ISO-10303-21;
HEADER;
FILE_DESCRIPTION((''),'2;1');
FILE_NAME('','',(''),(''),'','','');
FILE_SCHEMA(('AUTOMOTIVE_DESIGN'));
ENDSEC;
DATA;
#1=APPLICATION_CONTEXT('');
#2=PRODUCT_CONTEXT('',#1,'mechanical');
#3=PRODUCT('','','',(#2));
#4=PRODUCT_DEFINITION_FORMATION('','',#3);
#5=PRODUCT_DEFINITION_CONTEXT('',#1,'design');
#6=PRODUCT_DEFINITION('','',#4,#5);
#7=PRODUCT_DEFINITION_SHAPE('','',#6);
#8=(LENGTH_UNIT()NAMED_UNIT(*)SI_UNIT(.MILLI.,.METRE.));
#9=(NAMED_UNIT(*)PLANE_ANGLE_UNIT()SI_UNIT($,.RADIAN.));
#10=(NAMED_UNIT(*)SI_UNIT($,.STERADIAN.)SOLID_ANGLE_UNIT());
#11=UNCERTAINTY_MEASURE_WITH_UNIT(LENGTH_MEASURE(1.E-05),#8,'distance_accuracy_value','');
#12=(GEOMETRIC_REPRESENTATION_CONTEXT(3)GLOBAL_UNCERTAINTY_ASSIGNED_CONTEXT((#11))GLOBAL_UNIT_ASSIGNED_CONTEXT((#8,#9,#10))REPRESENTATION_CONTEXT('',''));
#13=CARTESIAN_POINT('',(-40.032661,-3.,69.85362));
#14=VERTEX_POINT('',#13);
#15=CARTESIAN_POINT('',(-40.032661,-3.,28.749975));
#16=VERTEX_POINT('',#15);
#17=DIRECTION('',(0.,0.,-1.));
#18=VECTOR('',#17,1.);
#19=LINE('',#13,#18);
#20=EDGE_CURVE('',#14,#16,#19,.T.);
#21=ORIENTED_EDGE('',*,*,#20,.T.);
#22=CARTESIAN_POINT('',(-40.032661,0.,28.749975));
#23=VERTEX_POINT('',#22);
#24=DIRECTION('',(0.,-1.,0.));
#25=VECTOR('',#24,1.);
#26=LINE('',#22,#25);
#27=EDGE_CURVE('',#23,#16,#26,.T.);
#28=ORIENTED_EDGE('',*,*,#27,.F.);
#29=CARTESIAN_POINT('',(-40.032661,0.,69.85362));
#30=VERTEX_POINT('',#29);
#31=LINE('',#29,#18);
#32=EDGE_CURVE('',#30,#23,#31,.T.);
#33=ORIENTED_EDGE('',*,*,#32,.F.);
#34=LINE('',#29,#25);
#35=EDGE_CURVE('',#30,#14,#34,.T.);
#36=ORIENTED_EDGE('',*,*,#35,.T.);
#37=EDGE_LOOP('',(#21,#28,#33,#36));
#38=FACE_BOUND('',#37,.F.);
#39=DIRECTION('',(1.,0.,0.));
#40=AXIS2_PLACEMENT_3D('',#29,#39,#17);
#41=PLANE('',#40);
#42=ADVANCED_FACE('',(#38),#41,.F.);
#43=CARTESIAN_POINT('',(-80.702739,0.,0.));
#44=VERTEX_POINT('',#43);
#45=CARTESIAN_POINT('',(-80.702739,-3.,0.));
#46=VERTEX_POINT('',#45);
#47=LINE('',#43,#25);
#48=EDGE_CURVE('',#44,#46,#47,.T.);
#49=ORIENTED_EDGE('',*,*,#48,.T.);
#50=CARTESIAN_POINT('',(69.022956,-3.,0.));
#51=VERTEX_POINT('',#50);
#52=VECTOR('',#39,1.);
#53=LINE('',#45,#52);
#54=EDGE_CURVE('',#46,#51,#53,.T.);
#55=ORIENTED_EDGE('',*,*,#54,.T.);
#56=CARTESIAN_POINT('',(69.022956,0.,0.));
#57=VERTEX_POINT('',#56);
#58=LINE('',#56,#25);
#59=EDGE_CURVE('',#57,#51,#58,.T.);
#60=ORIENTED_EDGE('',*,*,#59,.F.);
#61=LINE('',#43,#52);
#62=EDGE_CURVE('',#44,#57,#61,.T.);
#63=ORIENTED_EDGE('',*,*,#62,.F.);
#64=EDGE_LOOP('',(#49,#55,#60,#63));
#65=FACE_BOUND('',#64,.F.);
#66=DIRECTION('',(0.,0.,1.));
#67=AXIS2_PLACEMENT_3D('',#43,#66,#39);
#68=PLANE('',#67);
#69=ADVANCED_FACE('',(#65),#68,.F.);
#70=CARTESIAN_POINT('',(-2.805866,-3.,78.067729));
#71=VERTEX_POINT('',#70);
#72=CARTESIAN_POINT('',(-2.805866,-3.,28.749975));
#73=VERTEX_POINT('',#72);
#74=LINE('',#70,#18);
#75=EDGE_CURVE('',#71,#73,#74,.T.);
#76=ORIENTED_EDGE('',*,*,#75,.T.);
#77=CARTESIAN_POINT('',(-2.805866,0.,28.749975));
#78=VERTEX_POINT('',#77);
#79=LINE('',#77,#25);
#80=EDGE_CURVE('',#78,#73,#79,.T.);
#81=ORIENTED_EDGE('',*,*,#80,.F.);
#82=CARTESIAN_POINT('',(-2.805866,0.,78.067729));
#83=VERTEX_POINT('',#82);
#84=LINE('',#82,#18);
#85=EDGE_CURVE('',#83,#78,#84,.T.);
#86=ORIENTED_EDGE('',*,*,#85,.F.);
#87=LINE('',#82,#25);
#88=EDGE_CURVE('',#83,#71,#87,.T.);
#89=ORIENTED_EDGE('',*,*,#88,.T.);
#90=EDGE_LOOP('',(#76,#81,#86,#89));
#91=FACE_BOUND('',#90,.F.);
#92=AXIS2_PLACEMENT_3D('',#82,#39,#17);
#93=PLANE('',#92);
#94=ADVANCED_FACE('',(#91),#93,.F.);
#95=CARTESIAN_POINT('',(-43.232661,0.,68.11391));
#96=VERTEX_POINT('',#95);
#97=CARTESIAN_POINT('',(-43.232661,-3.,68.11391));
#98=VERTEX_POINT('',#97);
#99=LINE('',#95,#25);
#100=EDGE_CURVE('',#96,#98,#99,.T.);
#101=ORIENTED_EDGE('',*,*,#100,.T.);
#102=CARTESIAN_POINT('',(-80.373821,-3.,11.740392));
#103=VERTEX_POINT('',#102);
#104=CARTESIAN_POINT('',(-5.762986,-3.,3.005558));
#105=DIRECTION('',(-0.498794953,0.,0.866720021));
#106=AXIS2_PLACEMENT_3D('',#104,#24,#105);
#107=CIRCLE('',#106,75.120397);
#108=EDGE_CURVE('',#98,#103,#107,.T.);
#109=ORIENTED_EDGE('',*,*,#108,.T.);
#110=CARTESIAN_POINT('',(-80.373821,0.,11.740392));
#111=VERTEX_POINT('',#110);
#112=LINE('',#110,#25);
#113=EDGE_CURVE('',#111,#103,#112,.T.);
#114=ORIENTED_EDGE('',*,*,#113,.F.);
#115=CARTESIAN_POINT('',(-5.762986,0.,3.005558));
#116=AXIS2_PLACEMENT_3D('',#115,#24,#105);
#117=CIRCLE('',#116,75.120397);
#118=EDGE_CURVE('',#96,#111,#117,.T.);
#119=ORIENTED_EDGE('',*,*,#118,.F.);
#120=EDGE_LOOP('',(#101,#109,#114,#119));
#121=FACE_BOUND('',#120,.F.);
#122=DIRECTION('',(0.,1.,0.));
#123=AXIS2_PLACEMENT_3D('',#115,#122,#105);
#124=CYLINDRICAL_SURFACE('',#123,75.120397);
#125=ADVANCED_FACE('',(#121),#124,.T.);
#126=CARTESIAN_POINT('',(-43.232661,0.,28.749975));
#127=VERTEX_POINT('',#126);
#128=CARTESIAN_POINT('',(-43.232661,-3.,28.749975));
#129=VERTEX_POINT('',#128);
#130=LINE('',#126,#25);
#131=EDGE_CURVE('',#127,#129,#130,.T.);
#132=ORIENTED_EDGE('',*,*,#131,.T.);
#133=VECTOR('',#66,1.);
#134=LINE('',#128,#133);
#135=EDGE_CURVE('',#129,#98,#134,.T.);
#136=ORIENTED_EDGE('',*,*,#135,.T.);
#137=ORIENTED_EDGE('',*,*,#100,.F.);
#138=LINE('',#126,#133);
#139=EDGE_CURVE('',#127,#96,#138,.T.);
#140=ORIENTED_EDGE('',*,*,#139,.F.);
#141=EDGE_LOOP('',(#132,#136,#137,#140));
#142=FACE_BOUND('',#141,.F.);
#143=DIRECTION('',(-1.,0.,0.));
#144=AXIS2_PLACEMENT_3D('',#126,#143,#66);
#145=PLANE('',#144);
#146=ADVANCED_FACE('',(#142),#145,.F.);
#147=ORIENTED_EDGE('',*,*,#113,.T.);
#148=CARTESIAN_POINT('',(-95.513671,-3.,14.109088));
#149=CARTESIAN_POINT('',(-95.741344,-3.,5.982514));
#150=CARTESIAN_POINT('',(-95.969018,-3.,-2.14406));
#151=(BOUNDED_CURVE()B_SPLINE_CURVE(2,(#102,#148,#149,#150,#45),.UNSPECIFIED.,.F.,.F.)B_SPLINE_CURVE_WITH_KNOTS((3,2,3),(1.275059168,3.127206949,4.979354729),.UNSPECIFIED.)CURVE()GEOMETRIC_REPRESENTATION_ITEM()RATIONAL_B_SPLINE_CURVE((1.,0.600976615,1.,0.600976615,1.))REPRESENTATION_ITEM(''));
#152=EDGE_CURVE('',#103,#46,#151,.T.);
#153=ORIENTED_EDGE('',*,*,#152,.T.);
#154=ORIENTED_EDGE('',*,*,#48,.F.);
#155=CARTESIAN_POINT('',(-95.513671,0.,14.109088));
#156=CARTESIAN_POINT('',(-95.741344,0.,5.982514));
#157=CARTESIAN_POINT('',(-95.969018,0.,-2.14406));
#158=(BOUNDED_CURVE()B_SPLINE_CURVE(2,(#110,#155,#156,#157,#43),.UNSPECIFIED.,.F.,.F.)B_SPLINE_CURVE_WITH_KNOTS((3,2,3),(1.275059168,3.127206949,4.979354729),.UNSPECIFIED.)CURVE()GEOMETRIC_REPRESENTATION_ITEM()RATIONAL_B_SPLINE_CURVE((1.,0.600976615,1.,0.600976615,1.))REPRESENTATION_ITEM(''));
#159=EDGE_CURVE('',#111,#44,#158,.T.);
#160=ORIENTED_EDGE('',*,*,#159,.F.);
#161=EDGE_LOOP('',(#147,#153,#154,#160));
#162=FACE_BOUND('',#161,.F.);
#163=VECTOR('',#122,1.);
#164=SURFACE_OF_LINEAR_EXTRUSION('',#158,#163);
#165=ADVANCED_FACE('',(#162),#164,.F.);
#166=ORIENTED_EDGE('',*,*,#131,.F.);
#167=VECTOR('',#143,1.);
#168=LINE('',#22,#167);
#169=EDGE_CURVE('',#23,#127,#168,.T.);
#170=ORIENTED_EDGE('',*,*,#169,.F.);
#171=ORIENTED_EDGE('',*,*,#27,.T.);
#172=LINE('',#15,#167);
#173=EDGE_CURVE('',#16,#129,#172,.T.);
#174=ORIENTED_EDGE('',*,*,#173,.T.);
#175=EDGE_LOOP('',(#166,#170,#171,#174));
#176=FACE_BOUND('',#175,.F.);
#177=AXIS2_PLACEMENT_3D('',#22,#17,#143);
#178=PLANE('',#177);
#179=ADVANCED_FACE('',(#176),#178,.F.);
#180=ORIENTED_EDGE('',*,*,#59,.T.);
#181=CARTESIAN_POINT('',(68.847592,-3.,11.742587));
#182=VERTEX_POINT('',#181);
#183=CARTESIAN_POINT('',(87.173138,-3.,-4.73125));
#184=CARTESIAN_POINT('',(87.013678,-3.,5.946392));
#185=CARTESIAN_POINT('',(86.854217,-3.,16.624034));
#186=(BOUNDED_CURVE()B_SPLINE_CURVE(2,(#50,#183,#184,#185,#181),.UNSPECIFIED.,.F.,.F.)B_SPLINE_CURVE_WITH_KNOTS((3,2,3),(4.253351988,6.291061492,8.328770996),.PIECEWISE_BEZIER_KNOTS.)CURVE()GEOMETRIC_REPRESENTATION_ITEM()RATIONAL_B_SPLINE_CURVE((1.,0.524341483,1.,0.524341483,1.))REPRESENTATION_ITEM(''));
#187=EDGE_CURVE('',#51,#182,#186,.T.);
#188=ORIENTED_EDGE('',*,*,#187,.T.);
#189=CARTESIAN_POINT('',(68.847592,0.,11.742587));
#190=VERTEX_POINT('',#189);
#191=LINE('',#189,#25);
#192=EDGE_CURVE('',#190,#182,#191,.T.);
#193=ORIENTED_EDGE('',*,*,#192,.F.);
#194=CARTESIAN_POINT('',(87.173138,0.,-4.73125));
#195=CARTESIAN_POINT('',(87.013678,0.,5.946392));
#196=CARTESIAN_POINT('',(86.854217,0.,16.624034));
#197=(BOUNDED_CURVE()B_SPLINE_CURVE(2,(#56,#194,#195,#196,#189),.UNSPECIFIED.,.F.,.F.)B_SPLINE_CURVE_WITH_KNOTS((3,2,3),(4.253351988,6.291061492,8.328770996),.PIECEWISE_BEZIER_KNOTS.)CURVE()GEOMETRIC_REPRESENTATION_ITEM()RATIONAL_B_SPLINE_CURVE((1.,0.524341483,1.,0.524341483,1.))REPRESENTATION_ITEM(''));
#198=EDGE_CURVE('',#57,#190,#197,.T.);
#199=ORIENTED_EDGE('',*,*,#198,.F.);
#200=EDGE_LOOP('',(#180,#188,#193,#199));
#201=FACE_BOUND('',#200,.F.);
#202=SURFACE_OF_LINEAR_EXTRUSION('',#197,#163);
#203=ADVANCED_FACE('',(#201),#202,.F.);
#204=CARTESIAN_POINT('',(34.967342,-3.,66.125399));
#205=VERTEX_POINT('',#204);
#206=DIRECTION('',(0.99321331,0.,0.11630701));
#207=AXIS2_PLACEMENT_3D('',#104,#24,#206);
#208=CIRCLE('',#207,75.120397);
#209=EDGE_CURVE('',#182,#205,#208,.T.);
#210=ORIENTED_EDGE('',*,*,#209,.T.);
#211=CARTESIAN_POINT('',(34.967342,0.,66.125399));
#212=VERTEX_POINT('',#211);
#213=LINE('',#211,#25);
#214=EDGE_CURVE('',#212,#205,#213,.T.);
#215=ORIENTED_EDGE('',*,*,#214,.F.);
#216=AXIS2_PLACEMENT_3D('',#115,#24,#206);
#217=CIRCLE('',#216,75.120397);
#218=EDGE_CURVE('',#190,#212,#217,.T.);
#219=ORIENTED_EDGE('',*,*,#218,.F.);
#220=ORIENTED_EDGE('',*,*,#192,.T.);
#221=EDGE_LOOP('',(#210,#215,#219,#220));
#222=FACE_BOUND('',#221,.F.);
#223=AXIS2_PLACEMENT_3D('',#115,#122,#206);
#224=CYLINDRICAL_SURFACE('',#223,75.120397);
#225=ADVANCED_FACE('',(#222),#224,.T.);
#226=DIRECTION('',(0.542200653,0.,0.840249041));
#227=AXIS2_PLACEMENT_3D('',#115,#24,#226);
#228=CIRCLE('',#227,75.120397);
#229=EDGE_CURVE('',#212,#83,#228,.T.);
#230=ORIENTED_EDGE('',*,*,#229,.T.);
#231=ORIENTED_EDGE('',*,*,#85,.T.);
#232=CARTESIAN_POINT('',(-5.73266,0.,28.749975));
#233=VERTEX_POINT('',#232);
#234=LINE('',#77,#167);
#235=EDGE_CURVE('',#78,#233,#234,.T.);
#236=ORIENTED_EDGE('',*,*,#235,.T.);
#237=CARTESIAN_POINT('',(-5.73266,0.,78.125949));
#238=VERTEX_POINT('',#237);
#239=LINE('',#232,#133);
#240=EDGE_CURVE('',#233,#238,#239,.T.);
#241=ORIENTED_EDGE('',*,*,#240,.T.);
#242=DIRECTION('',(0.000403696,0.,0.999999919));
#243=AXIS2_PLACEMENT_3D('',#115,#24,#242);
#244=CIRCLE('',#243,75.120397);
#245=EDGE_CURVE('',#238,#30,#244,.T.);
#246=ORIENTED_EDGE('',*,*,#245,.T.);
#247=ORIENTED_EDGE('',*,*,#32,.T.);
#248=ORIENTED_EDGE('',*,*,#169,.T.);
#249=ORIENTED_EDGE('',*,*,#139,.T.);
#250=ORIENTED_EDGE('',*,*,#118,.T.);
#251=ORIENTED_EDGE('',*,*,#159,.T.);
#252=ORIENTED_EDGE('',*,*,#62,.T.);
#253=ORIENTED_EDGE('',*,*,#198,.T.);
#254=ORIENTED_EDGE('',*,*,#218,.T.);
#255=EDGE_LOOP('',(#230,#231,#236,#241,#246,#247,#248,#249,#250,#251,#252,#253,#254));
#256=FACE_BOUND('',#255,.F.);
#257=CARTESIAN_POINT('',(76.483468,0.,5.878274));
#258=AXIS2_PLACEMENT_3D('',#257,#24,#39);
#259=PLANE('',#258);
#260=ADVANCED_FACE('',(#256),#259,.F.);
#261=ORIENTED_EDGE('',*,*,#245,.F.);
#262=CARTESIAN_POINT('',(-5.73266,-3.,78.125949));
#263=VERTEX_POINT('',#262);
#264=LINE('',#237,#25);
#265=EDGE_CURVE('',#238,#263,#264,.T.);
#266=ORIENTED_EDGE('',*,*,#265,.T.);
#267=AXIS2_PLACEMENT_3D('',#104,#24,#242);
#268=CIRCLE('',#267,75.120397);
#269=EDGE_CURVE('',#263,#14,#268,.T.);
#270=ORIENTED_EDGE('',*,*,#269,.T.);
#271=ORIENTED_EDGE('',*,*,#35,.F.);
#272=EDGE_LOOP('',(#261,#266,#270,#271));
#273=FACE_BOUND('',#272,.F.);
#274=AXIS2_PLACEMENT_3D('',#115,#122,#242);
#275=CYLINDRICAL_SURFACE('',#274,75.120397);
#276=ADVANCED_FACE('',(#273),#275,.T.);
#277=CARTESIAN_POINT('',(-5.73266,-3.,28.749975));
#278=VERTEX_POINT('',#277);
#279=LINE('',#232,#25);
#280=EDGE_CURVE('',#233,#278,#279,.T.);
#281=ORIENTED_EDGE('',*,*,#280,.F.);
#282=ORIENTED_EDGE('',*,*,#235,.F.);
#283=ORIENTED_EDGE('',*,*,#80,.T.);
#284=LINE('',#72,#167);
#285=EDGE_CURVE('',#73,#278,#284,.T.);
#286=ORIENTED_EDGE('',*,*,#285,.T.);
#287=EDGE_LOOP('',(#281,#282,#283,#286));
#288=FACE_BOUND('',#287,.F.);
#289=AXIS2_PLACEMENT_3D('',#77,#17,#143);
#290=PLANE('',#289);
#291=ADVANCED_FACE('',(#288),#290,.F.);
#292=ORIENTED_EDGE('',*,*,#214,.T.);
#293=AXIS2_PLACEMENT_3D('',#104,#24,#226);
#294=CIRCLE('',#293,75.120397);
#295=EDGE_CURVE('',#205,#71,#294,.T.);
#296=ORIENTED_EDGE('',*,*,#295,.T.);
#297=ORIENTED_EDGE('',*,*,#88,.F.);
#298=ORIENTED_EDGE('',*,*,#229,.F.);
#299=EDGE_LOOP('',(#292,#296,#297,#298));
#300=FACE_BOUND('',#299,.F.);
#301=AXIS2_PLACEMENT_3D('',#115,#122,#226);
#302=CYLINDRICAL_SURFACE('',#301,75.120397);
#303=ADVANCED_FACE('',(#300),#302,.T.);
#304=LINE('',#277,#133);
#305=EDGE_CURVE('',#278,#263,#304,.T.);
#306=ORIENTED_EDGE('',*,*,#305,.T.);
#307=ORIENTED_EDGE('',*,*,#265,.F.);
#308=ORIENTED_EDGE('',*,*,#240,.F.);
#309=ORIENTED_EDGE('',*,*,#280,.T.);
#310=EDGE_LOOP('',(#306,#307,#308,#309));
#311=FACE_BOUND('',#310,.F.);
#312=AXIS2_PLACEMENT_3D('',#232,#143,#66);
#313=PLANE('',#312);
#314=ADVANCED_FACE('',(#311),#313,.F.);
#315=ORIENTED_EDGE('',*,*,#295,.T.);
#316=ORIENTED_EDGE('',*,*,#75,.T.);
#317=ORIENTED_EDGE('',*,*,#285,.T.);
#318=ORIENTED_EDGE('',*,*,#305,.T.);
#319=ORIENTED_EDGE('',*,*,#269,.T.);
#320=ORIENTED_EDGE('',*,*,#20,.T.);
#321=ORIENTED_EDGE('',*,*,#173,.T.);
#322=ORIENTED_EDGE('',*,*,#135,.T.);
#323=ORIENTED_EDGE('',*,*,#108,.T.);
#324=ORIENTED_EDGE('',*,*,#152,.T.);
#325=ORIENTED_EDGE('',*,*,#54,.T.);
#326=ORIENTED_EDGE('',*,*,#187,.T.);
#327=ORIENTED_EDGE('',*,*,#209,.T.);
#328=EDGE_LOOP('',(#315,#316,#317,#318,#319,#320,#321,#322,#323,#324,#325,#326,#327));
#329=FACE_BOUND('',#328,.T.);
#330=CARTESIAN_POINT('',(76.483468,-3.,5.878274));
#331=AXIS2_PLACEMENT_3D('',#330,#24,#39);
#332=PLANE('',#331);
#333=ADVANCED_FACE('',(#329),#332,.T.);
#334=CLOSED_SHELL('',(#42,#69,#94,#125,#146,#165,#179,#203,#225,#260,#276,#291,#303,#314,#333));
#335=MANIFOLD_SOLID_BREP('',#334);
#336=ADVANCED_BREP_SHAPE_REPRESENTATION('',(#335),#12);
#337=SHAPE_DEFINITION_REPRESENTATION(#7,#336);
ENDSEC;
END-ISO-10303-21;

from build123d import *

# Parameters (mm, degrees)
F1_DEPTH = 3


with BuildPart() as f1:
    # F0 (on Front) → F1 (new body)
    with BuildSketch(Plane.XZ):
        with BuildLine():
            ThreePointArc((68.8475920005, 11.742586707), (69.3023923759, 5.880099635), (69.297260746, 0))
            Line((69.297260746, 0), (69.0229559835, 0))
            add(Edge.make_bspline(
                [(69.0229559835, 0), (87.173137579, -4.7312496306), (87.0136775004, 5.946392192), (86.8542174218, 16.6240340145), (68.8475920005, 11.742586707)],
                knots=[4.2533519881, 4.2533519881, 4.2533519881, 6.2910614921, 6.2910614921, 8.3287709961, 8.3287709961, 8.3287709961], degree=2, weights=[1, 0.5243414828, 1, 0.5243414828, 1]))
        make_face()
        with BuildLine():
            Line((69.0229559835, 0), (69.297260746, 0))
            ThreePointArc((69.297260746, 0), (69.3023923759, 5.880099635), (68.8475920005, 11.742586707))
            ThreePointArc((68.8475920005, 11.742586707), (57.9963563945, 42.7273439173), (34.9673422396, 66.125399405))
            ThreePointArc((34.9673422396, 66.125399405), (16.8821701876, 74.6314675421), (-2.8058656026, 78.0677285954))
            Line((-2.8058656026, 78.0677285954), (-2.8058656026, 28.749975026))
            Line((-2.8058656026, 28.749975026), (-5.7326601818, 28.749975026))
            Line((-5.7326601818, 28.749975026), (-5.7326601818, 78.1259486789))
            ThreePointArc((-5.7326601818, 78.1259486789), (-23.3752291463, 76.0321484038), (-40.0326607406, 69.853620105))
            Line((-40.0326607406, 69.853620105), (-40.0326607406, 28.749975026))
            Line((-40.0326607406, 28.749975026), (-43.2326607406, 28.749975026))
            Line((-43.2326607406, 28.749975026), (-43.2326607406, 68.1139099124))
            ThreePointArc((-43.2326607406, 68.1139099124), (-68.4925924519, 44.334367415), (-80.3738208713, 11.7403924705))
            add(Edge.make_bspline(
                [(-80.3738208713, 11.7403924705), (-95.5136706819, 14.1090875338), (-95.7413444571, 5.9825138382), (-95.9690182324, -2.1440598573), (-80.702739254, 0)],
                knots=[1.2750591683, 1.2750591683, 1.2750591683, 3.1272069486, 3.1272069486, 4.9793547288, 4.9793547288, 4.9793547288], degree=2, weights=[1, 0.6009766146, 1, 0.6009766146, 1]))
            Line((-80.702739254, 0), (69.0229559835, 0))
        make_face()
    extrude(amount=F1_DEPTH)


solid = f1.part
